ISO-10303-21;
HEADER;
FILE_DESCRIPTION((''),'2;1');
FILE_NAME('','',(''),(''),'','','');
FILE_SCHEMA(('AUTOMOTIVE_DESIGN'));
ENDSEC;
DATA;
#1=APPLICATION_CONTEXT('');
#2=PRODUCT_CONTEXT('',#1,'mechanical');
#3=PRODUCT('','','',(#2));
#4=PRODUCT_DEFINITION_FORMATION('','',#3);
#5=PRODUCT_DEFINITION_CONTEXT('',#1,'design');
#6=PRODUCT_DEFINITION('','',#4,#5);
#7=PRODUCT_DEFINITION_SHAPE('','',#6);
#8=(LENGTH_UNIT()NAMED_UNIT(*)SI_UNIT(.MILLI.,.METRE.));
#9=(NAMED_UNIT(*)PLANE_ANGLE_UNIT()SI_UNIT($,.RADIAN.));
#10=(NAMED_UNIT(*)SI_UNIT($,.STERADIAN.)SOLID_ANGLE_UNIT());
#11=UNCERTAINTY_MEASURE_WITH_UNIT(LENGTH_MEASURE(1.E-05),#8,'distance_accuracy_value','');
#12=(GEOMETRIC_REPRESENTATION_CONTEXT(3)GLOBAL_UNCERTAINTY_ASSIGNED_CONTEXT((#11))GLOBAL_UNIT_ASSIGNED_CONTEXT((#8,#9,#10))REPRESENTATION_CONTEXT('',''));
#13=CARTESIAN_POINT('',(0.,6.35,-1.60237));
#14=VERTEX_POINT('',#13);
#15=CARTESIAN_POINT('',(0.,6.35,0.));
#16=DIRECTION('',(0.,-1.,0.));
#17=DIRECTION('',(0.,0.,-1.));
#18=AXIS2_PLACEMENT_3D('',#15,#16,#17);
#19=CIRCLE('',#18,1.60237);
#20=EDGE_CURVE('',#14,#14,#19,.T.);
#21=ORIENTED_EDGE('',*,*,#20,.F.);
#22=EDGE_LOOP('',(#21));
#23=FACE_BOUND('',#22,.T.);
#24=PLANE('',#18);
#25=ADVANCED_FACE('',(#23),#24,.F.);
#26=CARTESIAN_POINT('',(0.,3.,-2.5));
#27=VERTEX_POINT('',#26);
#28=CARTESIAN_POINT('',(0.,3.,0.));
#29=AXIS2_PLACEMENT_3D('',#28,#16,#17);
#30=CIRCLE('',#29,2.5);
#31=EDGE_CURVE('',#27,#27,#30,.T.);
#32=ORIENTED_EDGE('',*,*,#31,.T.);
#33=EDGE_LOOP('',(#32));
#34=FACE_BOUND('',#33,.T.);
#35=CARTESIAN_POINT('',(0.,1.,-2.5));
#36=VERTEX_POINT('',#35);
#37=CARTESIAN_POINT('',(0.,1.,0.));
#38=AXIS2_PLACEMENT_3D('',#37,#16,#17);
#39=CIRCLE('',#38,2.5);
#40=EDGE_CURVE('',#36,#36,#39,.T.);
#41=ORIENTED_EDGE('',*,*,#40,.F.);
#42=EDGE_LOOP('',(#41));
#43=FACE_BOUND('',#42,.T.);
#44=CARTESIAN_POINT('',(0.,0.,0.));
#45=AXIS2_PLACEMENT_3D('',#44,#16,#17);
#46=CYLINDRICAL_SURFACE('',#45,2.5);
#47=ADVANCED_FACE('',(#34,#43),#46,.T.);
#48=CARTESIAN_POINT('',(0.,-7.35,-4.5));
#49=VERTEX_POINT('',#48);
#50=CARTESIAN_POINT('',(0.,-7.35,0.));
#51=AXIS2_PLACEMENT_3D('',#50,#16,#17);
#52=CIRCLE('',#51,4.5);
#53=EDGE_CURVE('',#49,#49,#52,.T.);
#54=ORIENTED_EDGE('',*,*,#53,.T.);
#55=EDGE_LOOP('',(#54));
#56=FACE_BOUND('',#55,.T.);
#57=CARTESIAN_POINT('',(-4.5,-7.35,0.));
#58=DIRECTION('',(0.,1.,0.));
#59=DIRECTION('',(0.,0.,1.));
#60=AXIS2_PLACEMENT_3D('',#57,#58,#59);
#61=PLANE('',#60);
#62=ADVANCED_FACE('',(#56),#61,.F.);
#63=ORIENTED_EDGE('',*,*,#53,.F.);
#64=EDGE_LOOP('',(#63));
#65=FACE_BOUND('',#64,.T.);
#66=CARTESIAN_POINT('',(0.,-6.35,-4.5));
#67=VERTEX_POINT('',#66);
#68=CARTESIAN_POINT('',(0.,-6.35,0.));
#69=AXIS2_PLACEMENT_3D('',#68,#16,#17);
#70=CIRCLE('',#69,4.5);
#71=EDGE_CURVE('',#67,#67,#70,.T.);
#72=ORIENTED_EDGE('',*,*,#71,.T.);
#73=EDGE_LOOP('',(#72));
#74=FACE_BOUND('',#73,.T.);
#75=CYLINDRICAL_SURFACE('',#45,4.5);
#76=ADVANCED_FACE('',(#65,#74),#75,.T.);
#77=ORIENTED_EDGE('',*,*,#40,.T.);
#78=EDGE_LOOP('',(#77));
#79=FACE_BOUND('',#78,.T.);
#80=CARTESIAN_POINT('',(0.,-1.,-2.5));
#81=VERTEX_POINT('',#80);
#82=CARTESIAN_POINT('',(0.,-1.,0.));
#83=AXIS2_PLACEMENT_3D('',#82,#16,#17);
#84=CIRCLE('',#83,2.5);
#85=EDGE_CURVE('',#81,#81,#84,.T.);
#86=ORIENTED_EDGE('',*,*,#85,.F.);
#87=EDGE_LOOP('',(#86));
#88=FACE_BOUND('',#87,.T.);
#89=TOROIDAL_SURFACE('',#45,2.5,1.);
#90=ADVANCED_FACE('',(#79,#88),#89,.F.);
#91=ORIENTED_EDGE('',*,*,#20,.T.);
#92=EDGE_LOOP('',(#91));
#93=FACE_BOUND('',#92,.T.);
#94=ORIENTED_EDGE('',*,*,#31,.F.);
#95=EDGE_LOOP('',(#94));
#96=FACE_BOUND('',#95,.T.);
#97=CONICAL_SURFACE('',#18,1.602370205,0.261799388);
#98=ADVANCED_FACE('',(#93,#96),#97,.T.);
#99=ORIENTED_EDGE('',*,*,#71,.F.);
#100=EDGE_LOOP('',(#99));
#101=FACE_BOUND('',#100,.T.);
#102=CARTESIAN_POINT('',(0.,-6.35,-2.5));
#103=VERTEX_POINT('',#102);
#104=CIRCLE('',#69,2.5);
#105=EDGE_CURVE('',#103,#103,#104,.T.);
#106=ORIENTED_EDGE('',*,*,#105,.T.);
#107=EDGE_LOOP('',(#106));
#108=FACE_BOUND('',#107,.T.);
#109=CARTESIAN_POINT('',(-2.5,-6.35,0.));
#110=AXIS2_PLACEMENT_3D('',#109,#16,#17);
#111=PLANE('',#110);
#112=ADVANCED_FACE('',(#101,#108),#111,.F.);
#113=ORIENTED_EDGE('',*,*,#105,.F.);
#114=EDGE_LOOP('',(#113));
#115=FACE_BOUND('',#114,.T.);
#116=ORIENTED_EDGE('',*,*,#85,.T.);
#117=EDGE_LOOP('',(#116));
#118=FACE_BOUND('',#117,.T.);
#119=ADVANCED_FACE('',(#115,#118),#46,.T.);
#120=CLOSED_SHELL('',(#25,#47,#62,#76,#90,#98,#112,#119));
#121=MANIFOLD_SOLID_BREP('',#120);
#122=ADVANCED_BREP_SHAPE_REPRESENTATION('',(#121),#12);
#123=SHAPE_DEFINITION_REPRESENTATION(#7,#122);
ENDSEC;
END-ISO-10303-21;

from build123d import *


with BuildPart() as part:
    # Sketch1 → Revolve1 (revolve)
    with BuildSketch(Plane.XY, mode=Mode.PRIVATE) as revolve1_sk:
        with BuildLine():
            Line((0, 6.35), (-1.602370205, 6.35))
            Line((-1.602370205, 6.35), (-2.5, 3))
            Line((-2.5, 3), (-2.5, 1))
            ThreePointArc((-2.5, 1), (-1.5, 0), (-2.5, -1))
            Line((-2.5, -1), (-2.5, -6.35))
            Line((-2.5, -6.35), (-4.5, -6.35))
            Line((-4.5, -6.35), (-4.5, -7.35))
            Line((-4.5, -7.35), (0, -7.35))
            Line((0, -7.35), (0, 6.35))
        make_face()
    revolve(revolve1_sk.sketch.rotate(Axis((0, 0, 0), (0, 1, 0)), 270), axis=Axis((0, 0, 0), (0, 1, 0)))


solid = part.part
